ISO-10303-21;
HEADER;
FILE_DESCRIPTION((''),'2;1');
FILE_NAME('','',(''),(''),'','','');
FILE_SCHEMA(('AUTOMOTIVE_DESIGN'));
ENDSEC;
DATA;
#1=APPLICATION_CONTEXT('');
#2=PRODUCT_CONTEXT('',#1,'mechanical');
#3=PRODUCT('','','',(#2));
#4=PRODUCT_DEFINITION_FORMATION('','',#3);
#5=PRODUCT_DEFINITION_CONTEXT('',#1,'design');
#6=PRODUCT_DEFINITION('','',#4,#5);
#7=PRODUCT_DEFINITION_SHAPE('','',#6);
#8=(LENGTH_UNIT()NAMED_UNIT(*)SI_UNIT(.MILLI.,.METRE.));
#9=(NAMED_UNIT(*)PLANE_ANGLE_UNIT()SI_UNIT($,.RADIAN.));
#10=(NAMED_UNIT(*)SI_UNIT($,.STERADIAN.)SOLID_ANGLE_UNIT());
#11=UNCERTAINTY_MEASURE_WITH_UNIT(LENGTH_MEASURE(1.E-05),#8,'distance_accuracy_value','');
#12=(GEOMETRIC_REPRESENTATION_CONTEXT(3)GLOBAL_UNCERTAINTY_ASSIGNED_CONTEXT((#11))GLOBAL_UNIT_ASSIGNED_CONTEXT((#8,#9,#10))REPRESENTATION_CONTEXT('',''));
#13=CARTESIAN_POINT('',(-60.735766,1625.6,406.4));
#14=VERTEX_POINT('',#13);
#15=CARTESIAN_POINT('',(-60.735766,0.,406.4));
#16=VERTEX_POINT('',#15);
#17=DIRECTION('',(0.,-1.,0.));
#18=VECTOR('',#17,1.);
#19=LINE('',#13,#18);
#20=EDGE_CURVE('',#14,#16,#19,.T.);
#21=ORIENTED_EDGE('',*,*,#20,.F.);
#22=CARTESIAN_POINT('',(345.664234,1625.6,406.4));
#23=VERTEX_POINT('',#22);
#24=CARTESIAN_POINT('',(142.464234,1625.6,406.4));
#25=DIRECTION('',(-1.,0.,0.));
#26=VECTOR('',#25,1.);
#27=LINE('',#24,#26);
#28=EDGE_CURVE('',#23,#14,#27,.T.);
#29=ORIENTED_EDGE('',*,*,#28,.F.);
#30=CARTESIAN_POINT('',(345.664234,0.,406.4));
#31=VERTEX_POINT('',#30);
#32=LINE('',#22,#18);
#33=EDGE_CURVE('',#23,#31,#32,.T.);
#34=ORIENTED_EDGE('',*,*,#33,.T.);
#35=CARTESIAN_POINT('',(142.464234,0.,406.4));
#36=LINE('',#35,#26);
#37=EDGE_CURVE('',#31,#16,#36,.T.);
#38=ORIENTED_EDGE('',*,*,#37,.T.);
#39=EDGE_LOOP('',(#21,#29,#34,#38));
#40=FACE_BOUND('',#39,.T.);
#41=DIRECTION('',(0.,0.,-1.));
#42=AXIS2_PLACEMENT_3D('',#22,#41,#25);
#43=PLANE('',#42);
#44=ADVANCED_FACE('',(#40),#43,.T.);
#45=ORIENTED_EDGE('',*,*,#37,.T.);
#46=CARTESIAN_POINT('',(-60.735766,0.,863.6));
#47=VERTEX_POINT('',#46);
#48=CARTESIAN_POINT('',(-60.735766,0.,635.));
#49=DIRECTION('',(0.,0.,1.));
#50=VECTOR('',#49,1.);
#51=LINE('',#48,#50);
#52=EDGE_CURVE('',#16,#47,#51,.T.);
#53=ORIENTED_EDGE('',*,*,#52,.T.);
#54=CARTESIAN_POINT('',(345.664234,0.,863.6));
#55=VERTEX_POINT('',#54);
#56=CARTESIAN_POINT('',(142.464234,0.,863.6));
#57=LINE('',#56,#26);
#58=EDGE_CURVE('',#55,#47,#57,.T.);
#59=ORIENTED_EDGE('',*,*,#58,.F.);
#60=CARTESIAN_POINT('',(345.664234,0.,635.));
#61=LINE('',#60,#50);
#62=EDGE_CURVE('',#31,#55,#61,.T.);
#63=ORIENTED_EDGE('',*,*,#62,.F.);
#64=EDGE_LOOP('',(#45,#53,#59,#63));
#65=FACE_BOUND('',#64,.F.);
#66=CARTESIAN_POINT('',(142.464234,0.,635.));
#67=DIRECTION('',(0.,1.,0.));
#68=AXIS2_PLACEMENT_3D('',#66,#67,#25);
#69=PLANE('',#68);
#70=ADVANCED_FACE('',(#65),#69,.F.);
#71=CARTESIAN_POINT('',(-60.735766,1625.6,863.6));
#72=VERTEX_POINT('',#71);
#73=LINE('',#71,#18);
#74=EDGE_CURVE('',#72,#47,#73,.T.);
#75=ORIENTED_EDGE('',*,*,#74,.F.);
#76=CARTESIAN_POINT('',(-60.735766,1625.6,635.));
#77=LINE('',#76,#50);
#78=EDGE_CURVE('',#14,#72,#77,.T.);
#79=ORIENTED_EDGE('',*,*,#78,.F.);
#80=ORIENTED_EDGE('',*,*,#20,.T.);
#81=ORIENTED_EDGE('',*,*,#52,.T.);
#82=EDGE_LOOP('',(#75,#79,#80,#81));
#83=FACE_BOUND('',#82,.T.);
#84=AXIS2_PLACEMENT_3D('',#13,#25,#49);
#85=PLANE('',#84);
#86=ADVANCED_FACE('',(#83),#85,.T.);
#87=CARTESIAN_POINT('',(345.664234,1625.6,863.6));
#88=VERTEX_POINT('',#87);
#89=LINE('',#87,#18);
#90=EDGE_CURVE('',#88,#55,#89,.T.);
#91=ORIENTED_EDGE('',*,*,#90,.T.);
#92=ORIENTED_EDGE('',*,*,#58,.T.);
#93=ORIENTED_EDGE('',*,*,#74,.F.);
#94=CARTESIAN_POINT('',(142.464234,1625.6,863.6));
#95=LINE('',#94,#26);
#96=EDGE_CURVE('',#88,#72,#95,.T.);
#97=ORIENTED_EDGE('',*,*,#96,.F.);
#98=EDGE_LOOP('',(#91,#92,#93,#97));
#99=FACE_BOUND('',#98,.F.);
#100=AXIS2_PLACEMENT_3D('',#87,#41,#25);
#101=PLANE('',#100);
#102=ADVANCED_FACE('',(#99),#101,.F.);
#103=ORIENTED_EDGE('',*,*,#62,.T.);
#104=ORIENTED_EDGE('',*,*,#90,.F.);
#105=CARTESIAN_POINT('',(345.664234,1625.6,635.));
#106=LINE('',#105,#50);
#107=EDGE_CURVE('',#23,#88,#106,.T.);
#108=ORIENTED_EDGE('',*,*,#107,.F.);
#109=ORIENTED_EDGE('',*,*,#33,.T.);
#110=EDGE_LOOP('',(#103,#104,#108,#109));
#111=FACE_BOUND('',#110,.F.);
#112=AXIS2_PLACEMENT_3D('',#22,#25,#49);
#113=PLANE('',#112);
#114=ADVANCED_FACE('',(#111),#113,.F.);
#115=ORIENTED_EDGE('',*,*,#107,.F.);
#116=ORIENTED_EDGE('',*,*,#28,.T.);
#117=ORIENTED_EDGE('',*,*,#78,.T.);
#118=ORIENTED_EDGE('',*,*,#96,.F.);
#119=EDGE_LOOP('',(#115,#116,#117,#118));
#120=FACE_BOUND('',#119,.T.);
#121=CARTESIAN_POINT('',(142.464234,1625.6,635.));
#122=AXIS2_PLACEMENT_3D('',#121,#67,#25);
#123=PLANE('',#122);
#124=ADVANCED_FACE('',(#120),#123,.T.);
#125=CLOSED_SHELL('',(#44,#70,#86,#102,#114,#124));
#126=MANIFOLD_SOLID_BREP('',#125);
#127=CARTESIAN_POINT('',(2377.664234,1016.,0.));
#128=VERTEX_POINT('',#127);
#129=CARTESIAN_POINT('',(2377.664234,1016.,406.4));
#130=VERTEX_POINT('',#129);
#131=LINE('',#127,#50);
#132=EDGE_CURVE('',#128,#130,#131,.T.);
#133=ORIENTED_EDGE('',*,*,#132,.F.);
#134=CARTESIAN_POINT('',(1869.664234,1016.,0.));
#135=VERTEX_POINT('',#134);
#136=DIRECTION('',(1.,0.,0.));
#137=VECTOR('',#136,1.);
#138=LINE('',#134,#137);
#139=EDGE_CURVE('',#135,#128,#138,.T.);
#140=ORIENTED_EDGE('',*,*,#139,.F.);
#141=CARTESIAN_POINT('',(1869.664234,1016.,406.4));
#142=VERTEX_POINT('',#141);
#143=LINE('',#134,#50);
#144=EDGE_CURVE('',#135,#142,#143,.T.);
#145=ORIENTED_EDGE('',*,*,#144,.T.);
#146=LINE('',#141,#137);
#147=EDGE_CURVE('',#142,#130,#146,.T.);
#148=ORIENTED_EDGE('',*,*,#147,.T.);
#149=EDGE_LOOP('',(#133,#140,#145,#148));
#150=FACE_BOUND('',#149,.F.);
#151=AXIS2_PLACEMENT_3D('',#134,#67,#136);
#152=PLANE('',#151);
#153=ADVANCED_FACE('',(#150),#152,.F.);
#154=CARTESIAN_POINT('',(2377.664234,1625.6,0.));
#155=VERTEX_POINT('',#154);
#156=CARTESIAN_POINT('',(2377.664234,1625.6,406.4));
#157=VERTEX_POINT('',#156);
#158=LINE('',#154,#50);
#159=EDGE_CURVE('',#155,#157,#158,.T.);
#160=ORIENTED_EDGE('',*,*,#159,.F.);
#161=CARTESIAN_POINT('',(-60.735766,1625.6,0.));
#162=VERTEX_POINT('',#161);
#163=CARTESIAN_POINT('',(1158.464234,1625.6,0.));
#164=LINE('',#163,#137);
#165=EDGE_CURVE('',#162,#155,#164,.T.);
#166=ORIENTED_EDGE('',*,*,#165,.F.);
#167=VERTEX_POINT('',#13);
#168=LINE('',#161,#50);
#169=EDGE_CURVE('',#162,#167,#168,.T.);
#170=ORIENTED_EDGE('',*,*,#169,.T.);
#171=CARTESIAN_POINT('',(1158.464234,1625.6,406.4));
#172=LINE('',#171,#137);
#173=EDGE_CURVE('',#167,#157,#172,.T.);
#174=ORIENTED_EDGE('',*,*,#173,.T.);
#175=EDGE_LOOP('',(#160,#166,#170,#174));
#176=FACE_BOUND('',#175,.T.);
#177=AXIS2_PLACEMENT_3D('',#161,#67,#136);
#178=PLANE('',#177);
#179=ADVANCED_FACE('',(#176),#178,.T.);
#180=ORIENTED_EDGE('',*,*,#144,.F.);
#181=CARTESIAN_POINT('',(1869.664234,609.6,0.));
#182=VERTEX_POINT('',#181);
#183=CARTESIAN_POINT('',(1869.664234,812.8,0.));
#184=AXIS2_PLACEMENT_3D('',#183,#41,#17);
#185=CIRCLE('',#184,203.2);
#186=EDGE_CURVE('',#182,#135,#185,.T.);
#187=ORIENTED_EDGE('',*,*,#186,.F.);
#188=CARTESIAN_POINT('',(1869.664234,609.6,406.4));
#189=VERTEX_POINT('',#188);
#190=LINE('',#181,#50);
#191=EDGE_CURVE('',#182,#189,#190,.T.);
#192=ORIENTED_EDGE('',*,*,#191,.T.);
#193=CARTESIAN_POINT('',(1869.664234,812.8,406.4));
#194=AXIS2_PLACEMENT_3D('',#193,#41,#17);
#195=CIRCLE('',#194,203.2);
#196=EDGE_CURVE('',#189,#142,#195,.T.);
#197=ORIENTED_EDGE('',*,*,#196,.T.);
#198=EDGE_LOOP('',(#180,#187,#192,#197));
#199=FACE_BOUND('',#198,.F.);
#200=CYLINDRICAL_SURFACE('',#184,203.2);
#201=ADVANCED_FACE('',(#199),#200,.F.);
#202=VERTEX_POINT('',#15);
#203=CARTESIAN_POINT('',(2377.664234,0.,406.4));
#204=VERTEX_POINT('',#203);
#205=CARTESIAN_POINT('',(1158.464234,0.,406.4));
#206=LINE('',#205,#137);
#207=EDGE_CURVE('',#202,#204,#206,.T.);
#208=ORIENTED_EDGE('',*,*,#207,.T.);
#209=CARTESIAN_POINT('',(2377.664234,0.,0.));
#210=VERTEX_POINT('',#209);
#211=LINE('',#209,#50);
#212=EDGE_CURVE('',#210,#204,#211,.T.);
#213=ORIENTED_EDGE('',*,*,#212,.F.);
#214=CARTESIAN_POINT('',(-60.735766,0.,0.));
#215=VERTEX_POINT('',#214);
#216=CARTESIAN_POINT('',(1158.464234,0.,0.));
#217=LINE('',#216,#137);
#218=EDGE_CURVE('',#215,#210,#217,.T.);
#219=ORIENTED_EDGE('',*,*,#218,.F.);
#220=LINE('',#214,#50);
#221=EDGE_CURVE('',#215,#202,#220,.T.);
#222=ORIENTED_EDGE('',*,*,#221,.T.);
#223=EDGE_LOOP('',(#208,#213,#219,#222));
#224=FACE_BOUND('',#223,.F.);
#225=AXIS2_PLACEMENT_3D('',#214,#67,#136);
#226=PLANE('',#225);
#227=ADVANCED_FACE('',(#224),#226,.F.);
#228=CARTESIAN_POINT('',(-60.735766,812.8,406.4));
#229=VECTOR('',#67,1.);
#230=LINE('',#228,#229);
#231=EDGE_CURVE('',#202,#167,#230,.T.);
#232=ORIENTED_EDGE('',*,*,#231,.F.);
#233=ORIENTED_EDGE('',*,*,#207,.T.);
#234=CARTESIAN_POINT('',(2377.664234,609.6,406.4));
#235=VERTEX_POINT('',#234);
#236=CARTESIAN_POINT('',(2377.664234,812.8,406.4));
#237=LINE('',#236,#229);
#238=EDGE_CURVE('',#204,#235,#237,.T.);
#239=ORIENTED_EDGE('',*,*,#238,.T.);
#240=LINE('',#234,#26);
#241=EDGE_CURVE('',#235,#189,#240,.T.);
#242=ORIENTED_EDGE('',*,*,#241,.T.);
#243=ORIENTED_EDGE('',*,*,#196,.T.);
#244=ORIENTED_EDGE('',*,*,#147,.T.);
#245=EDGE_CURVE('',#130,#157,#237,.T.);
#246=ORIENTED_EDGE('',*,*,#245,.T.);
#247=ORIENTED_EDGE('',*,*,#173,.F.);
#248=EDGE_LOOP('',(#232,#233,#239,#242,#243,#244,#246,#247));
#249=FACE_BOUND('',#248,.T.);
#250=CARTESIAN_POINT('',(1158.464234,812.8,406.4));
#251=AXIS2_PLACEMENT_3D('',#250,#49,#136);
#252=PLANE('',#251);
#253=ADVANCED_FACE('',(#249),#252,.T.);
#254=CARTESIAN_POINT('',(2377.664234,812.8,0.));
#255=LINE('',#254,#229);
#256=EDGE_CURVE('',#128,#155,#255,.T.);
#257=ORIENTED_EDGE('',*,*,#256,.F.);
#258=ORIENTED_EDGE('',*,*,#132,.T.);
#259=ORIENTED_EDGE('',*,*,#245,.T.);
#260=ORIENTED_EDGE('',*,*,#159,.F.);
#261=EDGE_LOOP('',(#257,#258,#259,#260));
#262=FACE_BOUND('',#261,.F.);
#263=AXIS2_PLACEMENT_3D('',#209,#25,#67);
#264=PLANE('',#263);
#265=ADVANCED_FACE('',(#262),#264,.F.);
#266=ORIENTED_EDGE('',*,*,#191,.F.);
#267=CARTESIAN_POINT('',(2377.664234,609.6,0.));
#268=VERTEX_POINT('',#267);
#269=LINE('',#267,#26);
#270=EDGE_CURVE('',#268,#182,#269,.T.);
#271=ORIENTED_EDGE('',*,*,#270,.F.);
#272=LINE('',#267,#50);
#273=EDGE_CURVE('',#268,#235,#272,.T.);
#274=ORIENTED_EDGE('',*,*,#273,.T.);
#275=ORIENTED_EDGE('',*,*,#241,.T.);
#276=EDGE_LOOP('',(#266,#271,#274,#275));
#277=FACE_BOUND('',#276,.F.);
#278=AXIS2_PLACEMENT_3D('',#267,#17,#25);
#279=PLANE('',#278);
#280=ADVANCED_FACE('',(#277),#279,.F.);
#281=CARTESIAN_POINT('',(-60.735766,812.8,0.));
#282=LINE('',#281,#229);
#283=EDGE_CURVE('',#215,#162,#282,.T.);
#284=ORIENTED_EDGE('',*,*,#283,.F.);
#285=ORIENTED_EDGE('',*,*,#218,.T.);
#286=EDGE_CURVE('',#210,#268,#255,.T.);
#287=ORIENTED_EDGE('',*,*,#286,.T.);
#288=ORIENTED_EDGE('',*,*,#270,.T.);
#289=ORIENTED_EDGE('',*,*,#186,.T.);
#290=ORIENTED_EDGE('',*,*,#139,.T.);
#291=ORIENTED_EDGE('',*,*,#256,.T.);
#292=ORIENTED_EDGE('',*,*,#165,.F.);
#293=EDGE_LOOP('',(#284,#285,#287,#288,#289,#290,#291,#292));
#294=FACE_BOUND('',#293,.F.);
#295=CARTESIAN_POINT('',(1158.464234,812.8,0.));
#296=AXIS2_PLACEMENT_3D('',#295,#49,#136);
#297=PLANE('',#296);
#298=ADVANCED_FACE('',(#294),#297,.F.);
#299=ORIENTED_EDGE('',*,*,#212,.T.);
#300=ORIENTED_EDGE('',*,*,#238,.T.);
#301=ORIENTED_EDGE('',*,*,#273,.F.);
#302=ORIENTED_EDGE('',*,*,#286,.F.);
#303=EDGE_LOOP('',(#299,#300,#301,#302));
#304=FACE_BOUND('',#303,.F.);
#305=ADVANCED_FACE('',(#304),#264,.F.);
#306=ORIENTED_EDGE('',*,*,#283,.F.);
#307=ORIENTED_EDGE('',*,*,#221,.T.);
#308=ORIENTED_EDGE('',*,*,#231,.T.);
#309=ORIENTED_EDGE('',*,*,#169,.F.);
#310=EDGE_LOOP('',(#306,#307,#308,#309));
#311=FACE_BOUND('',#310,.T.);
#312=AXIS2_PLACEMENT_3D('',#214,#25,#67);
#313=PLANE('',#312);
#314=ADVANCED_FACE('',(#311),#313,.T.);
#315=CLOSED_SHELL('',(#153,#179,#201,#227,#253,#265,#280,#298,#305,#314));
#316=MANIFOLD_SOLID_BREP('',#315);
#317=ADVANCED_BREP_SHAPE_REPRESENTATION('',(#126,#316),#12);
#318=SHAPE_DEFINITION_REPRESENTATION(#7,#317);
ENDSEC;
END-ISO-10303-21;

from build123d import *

# Parameters (mm, degrees)
F0_W     = 2438.4
F0_H     = 1625.6
F1_DEPTH = 406.4
F3_DEPTH = 406.4
F4_W     = 406.4
F4_H     = 457.2
F5_DEPTH = 1625.6


with BuildPart() as f1:
    # F0 (on Top) → F1 (new body)
    with BuildSketch(Plane.XY):
        with Locations((1158.464234, 812.8)):
            Rectangle(F0_W, F0_H)
    extrude(amount=F1_DEPTH)

    # F2 (on face) → F3 (cut)
    with BuildSketch(Plane(origin=(0, 0, 0), x_dir=(1, 0, 0), z_dir=(0, 0, -1))):
        with BuildLine():
            Line((2377.664234, -1016), (2377.664234, -609.6))
            Line((2377.664234, -609.6), (1869.664234, -609.6))
            ThreePointArc((1869.664234, -609.6), (1666.464234, -812.8), (1869.664234, -1016))
            Line((1869.664234, -1016), (2377.664234, -1016))
        make_face()
    extrude(amount=-F3_DEPTH, mode=Mode.SUBTRACT)


with BuildPart() as f5:
    # F4 (on face) → F5 (new body)
    with BuildSketch(Plane(origin=(0, 1625.6, 0), x_dir=(-1, 0, 0), z_dir=(0, 1, 0))):
        with Locations((-142.464234, 635)):
            Rectangle(F4_W, F4_H)
    extrude(amount=-F5_DEPTH)


solid = Compound([f1.part, f5.part])
